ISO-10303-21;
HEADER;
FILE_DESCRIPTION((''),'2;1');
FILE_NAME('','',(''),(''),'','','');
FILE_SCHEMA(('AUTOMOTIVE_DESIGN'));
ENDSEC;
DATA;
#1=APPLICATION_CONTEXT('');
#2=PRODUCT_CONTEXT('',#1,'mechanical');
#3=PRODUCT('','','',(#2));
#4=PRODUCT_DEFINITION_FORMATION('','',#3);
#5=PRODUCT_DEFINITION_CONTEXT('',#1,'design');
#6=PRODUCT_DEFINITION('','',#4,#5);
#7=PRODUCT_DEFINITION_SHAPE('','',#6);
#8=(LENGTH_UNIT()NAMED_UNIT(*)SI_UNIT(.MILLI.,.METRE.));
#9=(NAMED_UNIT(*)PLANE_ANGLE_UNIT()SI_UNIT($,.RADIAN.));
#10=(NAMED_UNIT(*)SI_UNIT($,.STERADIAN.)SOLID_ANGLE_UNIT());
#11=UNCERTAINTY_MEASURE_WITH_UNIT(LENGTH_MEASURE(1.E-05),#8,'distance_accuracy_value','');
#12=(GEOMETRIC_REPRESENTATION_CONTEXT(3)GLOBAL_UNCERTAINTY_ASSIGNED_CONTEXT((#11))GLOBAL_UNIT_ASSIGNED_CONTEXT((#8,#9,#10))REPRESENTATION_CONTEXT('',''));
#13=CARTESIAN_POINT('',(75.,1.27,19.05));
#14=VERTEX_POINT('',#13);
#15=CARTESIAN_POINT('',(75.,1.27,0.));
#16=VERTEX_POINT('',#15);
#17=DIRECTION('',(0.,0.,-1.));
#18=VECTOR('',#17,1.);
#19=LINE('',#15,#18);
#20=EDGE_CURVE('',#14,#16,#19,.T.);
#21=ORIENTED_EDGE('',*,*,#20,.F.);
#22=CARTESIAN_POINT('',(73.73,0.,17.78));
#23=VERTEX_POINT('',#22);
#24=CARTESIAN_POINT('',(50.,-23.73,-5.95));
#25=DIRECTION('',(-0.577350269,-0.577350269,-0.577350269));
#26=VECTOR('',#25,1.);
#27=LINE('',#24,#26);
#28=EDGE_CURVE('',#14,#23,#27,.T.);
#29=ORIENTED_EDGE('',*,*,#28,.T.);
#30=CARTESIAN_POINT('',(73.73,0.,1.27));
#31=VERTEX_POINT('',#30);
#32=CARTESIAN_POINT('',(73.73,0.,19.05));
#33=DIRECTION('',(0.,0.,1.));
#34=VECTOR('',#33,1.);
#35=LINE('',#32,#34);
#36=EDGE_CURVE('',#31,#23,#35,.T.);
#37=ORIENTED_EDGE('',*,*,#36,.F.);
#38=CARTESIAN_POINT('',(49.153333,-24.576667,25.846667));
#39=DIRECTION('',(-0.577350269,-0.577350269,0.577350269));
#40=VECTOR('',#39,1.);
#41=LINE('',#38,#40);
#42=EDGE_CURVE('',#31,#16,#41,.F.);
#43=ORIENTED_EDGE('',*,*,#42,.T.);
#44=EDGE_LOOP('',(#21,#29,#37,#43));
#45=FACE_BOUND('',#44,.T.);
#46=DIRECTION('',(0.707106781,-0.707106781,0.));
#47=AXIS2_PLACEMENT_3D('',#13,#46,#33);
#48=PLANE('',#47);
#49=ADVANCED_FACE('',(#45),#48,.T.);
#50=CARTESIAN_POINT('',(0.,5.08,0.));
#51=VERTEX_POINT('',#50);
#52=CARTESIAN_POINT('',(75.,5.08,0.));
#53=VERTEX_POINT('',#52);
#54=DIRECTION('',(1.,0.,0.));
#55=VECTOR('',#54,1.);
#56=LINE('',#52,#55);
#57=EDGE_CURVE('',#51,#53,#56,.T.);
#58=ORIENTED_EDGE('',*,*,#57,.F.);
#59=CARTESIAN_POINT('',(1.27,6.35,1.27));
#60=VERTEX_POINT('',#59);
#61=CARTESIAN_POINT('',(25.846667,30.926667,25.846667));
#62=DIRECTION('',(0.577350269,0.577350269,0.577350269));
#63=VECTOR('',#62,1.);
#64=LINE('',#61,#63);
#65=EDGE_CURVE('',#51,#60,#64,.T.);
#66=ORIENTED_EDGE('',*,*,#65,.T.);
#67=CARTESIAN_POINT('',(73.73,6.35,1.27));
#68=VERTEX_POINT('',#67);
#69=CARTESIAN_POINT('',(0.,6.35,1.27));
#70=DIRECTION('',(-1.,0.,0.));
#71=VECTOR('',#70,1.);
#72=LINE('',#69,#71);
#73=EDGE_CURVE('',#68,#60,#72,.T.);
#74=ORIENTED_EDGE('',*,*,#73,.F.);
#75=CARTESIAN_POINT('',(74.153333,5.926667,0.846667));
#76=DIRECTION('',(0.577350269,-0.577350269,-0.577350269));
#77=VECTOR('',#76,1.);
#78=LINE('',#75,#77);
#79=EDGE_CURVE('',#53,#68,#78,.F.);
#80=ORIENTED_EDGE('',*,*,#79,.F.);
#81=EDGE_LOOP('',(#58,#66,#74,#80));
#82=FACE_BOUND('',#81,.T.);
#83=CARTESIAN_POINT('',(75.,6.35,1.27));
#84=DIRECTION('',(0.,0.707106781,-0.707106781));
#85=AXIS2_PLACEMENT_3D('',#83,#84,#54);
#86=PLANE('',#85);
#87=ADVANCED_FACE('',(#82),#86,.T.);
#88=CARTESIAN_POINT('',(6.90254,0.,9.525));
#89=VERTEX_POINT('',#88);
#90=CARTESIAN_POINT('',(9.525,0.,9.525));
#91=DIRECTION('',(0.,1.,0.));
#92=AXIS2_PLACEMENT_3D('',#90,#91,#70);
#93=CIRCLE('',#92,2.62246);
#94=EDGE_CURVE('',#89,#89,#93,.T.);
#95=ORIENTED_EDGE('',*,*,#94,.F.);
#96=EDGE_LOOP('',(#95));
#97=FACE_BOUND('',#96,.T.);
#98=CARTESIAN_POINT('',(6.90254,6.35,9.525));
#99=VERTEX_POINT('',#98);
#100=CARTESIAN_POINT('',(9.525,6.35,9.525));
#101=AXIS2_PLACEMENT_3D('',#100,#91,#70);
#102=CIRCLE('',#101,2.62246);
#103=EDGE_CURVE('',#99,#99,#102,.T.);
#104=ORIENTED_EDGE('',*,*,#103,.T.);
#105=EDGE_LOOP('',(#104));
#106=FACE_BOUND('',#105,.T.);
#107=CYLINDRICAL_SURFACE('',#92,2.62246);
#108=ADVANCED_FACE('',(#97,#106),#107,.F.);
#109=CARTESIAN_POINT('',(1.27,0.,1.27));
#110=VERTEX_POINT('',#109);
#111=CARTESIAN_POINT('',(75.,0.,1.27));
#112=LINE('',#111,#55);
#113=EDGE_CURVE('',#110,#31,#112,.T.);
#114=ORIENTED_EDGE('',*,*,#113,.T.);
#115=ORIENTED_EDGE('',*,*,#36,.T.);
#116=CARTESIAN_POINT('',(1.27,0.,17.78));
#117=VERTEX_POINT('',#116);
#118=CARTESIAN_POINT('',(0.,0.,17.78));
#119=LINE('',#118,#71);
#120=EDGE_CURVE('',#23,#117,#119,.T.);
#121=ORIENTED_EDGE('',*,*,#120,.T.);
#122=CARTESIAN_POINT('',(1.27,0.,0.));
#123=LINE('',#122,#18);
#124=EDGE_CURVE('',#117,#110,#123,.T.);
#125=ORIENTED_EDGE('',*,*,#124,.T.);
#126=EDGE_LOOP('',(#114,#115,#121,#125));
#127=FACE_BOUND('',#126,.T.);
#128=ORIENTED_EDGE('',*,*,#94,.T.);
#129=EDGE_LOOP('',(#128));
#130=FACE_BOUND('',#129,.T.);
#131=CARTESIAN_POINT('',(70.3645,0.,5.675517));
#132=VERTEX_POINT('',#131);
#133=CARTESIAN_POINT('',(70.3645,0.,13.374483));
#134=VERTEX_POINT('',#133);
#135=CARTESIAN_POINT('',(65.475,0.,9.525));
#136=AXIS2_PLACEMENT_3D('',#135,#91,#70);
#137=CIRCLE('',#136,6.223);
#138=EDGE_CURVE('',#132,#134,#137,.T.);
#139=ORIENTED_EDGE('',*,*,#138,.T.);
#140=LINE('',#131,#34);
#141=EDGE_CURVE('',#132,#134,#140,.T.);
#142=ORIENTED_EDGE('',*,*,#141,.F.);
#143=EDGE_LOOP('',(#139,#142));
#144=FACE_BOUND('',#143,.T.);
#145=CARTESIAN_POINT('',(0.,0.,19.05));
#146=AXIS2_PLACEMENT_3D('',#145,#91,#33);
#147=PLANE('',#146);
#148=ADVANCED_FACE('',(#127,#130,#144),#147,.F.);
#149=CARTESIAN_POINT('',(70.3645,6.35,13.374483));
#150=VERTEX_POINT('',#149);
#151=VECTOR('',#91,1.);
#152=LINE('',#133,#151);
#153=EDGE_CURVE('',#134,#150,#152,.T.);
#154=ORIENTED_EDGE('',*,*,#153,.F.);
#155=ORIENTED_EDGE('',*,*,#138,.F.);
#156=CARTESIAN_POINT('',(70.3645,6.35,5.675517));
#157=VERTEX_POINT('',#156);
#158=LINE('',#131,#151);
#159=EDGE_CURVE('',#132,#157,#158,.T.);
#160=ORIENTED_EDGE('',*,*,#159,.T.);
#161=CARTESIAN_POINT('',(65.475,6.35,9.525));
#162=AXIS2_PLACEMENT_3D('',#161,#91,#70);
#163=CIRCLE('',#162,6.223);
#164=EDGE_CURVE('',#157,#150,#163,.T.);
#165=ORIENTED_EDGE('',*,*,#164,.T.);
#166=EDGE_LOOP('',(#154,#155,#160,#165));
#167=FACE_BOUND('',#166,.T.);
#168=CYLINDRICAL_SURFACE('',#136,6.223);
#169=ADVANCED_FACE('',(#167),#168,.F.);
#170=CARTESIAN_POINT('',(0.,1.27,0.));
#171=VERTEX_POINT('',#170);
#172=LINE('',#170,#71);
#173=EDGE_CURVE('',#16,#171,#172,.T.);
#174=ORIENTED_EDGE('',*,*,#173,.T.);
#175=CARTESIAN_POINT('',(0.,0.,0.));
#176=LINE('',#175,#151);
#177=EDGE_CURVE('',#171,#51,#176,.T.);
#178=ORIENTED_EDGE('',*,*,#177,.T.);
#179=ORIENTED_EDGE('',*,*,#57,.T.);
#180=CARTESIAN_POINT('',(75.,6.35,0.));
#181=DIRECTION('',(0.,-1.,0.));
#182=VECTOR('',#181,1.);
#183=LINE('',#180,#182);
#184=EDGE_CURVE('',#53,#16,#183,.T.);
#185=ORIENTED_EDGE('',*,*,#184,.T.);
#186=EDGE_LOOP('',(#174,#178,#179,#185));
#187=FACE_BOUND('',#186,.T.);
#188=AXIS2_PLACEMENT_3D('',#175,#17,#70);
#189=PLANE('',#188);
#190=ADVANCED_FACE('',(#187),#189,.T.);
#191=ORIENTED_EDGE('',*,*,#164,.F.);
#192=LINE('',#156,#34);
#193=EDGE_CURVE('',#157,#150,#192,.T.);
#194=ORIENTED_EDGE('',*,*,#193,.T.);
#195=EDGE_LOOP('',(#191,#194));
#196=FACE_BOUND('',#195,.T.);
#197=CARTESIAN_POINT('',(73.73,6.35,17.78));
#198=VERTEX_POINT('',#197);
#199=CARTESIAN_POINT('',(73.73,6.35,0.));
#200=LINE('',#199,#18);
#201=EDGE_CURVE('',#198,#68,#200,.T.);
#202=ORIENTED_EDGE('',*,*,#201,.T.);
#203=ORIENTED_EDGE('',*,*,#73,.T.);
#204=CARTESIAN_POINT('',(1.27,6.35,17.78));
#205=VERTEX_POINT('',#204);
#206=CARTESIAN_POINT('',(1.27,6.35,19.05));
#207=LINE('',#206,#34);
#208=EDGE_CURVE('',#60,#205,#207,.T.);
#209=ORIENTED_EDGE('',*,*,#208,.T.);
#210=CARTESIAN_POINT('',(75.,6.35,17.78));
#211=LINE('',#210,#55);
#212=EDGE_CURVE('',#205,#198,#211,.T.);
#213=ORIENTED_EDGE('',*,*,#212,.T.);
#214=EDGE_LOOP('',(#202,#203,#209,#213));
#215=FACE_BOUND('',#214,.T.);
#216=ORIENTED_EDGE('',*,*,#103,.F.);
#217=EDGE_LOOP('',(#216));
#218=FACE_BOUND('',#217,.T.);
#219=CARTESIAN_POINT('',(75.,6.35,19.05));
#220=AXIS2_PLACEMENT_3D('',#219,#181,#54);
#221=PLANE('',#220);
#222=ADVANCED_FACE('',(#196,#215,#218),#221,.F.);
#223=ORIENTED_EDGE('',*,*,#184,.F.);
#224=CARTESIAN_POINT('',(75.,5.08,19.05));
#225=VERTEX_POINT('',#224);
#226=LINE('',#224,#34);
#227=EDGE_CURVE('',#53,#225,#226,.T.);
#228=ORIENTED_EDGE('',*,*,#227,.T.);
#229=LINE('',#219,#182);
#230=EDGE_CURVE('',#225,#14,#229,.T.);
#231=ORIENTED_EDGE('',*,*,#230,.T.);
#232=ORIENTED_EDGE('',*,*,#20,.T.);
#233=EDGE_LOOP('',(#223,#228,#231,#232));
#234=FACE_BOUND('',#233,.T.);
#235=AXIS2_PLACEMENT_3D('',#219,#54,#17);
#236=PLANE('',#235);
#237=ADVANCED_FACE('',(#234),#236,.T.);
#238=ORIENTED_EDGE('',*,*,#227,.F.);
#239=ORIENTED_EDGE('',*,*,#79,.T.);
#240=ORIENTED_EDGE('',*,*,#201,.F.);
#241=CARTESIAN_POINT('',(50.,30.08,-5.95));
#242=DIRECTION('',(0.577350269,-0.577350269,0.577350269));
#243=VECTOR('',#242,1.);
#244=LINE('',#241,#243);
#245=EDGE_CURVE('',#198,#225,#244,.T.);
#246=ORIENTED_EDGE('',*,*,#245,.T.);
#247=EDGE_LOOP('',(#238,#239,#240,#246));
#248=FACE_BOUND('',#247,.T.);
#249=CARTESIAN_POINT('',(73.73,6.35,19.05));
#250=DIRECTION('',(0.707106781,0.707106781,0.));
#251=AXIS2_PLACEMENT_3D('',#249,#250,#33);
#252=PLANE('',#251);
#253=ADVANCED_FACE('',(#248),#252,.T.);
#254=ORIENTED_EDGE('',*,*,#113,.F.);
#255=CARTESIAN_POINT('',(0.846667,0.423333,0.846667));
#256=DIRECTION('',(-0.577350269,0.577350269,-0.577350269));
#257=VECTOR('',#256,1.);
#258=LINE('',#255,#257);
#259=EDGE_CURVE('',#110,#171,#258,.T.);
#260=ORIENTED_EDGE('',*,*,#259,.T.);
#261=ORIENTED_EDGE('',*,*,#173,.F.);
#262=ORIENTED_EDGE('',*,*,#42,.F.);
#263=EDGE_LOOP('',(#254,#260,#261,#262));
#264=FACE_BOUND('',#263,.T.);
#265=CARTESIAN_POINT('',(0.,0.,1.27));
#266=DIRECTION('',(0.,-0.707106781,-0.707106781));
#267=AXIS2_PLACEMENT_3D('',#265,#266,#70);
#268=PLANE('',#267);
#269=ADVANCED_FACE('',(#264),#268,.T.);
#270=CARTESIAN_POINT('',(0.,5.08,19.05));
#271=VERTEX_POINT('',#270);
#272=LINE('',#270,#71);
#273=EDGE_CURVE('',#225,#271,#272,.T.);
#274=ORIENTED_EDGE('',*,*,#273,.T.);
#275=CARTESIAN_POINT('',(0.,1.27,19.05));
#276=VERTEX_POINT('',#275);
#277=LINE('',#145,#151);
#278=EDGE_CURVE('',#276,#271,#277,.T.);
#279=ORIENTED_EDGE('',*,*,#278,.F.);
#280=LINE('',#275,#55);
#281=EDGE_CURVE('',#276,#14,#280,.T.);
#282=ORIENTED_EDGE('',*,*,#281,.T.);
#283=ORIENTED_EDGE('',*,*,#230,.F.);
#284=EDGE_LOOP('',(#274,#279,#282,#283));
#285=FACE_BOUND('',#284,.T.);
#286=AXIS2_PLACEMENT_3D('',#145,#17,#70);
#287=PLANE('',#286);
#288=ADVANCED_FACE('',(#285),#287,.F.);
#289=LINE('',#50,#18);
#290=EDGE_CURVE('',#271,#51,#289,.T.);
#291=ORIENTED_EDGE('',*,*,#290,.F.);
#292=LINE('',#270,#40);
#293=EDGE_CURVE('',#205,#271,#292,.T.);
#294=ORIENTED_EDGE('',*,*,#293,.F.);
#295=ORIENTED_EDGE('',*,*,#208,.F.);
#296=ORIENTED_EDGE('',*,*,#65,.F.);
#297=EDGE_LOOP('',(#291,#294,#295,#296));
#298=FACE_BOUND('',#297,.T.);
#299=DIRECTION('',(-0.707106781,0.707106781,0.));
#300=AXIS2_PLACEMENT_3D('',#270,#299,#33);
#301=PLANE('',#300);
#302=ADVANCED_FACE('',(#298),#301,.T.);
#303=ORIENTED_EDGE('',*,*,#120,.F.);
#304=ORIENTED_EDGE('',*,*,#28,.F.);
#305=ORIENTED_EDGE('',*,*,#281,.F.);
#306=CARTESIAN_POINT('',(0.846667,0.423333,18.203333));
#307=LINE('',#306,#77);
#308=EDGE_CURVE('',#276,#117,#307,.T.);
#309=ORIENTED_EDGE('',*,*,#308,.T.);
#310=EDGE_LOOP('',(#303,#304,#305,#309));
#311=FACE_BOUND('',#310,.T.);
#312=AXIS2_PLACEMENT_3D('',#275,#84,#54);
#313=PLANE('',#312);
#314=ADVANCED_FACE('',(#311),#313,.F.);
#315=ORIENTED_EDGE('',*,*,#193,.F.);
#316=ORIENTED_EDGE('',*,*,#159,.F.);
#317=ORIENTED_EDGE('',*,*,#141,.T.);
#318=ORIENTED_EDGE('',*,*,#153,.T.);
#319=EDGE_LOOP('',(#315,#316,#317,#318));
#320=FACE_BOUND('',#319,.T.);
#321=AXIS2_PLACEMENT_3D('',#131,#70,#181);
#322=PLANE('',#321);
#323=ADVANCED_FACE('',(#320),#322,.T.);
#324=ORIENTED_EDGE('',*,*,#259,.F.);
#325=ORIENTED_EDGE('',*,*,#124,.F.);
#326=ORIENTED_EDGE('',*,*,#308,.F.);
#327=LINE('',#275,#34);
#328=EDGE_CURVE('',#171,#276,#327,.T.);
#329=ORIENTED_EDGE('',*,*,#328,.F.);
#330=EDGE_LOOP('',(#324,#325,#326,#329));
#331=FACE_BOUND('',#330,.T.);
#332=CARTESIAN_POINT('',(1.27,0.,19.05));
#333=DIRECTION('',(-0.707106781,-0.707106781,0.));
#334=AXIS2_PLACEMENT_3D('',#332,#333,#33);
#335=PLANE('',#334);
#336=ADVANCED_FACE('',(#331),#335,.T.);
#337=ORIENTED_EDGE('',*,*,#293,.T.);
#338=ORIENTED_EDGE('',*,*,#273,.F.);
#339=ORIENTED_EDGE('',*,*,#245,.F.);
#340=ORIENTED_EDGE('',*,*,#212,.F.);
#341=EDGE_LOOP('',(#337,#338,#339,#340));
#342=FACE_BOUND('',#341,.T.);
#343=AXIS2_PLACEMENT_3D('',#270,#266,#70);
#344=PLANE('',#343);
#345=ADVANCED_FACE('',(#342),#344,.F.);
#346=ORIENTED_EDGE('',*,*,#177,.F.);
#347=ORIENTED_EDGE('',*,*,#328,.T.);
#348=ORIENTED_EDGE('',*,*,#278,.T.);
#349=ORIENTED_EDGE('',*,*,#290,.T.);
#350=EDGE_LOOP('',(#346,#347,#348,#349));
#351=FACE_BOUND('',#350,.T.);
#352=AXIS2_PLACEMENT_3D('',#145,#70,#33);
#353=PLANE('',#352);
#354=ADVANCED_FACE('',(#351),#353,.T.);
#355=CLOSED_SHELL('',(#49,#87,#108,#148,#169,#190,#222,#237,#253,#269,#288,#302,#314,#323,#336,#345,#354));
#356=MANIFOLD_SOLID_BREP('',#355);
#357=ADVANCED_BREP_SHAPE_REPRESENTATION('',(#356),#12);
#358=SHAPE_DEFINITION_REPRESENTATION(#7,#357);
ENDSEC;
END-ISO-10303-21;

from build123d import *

# Parameters (mm, degrees)
SKETCH1_W          = 75
SKETCH1_H          = 6.35
BASE_EXTRUDE_DEPTH = 19.05
CUT_EXTRUDE1_DEPTH = 7.35
SKETCH3_R          = 2.622460094
CUT_EXTRUDE2_DEPTH = 7.35
CHAMFER1_SIZE      = 1.27


with BuildPart() as part:
    # Sketch1 → Base-Extrude (new body)
    with BuildSketch(Plane.XY):
        with Locations((37.5, 3.175)):
            Rectangle(SKETCH1_W, SKETCH1_H)
    extrude(amount=BASE_EXTRUDE_DEPTH)

    # Sketch2 → Cut-Extrude1 (cut, through all)
    with BuildSketch(Plane(origin=(0, 6.35, 0), x_dir=(-1, 0, 0), z_dir=(0, 1, 0))):
        with BuildLine():
            Line((-70.3645, 5.67551708), (-70.3645, 13.37448292))
            ThreePointArc((-70.3645, 13.37448292), (-59.252, 9.525), (-70.3645, 5.67551708))
        make_face()
    extrude(amount=-CUT_EXTRUDE1_DEPTH, mode=Mode.SUBTRACT)

    # Sketch3 → Cut-Extrude2 (cut, through all)
    with BuildSketch(Plane(origin=(0, 6.35, 0), x_dir=(-1, 0, 0), z_dir=(0, 1, 0))):
        with Locations((-9.525, 9.525)):
            Circle(SKETCH3_R)
    extrude(amount=-CUT_EXTRUDE2_DEPTH, mode=Mode.SUBTRACT)

    # Chamfer1
    chamfer1_edges = [part.edges().sort_by_distance(p)[0] for p in [
        (37.5, 0, 19.05),
        (37.5, 0, 0),
        (37.5, 6.35, 0),
        (37.5, 6.35, 19.05),
        (0, 0, 9.525),
        (75, 0, 9.525),
        (75, 6.35, 9.525),
        (0, 6.35, 9.525),
    ]]
    chamfer(chamfer1_edges, length=CHAMFER1_SIZE)


solid = part.part
